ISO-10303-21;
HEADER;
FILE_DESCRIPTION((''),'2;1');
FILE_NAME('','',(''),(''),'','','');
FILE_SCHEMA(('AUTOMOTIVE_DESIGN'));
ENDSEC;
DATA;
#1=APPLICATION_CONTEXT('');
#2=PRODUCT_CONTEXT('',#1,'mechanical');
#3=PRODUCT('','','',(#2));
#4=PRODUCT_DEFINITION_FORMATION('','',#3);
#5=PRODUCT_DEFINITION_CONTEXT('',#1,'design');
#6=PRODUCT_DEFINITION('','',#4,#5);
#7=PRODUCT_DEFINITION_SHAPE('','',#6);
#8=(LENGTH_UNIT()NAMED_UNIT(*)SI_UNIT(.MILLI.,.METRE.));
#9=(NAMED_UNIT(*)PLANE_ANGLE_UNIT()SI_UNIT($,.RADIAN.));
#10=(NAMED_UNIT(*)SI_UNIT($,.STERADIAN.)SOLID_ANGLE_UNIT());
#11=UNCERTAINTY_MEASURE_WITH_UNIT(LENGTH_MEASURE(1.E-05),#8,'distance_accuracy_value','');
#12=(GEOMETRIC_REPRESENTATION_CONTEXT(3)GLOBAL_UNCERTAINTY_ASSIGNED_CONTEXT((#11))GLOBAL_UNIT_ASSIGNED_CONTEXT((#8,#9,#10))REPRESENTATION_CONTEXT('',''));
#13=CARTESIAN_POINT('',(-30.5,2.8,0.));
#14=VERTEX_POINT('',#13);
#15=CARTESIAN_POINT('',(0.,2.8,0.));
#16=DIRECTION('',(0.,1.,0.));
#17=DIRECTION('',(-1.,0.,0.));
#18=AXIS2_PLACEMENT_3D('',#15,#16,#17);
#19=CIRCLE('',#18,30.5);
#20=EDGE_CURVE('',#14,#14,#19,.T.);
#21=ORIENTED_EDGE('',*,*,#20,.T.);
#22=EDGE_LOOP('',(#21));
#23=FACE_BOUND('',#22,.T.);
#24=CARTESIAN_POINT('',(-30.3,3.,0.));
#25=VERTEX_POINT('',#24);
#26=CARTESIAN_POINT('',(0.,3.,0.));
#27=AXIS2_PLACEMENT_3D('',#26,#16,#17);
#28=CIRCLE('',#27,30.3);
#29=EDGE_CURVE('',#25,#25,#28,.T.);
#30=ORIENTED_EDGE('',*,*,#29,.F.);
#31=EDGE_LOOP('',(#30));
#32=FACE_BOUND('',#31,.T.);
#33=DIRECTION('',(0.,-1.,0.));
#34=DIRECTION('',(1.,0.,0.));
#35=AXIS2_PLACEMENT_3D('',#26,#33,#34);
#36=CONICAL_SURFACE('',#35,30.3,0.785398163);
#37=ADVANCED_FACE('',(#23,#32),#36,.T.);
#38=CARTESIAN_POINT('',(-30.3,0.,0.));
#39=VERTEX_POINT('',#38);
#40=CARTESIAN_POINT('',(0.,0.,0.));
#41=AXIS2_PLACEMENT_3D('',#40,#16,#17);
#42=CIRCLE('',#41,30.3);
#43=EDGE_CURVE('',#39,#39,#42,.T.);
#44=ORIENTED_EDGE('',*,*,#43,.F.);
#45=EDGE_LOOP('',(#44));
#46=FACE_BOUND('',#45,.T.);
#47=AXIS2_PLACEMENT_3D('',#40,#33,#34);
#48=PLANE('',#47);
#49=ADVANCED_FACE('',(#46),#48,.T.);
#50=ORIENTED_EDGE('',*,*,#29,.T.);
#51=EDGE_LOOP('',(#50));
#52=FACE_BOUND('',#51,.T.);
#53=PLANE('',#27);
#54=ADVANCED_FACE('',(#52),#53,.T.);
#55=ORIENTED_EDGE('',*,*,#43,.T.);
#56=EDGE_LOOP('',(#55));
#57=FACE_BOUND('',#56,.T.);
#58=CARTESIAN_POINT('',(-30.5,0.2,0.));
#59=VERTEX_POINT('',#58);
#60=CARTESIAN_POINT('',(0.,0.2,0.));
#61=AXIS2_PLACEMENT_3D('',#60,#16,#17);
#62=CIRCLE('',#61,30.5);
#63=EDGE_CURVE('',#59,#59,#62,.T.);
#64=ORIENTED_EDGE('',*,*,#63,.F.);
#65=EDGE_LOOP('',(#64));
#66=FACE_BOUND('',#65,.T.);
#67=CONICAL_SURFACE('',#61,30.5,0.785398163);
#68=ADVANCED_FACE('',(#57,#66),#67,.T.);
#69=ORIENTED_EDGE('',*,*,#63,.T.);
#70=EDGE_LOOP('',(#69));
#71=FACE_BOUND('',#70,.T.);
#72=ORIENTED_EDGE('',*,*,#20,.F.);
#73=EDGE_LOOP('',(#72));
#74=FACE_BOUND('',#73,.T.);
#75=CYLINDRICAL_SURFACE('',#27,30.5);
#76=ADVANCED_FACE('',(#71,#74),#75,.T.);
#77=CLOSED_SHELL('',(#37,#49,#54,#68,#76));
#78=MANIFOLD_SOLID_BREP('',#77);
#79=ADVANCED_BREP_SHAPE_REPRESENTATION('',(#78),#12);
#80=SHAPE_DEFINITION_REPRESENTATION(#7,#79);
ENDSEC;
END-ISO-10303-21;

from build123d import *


with BuildPart() as part:
    # Schizzo1 → Rivoluzione1 (revolve)
    with BuildSketch(Plane.XY):
        Polygon((0, 3), (0, 0), (-30.3, 0), (-30.5, 0.2), (-30.5, 2.8), (-30.3, 3), align=None)
    revolve(axis=Axis((0, 3, 0), (0, -1, 0)))


solid = part.part
